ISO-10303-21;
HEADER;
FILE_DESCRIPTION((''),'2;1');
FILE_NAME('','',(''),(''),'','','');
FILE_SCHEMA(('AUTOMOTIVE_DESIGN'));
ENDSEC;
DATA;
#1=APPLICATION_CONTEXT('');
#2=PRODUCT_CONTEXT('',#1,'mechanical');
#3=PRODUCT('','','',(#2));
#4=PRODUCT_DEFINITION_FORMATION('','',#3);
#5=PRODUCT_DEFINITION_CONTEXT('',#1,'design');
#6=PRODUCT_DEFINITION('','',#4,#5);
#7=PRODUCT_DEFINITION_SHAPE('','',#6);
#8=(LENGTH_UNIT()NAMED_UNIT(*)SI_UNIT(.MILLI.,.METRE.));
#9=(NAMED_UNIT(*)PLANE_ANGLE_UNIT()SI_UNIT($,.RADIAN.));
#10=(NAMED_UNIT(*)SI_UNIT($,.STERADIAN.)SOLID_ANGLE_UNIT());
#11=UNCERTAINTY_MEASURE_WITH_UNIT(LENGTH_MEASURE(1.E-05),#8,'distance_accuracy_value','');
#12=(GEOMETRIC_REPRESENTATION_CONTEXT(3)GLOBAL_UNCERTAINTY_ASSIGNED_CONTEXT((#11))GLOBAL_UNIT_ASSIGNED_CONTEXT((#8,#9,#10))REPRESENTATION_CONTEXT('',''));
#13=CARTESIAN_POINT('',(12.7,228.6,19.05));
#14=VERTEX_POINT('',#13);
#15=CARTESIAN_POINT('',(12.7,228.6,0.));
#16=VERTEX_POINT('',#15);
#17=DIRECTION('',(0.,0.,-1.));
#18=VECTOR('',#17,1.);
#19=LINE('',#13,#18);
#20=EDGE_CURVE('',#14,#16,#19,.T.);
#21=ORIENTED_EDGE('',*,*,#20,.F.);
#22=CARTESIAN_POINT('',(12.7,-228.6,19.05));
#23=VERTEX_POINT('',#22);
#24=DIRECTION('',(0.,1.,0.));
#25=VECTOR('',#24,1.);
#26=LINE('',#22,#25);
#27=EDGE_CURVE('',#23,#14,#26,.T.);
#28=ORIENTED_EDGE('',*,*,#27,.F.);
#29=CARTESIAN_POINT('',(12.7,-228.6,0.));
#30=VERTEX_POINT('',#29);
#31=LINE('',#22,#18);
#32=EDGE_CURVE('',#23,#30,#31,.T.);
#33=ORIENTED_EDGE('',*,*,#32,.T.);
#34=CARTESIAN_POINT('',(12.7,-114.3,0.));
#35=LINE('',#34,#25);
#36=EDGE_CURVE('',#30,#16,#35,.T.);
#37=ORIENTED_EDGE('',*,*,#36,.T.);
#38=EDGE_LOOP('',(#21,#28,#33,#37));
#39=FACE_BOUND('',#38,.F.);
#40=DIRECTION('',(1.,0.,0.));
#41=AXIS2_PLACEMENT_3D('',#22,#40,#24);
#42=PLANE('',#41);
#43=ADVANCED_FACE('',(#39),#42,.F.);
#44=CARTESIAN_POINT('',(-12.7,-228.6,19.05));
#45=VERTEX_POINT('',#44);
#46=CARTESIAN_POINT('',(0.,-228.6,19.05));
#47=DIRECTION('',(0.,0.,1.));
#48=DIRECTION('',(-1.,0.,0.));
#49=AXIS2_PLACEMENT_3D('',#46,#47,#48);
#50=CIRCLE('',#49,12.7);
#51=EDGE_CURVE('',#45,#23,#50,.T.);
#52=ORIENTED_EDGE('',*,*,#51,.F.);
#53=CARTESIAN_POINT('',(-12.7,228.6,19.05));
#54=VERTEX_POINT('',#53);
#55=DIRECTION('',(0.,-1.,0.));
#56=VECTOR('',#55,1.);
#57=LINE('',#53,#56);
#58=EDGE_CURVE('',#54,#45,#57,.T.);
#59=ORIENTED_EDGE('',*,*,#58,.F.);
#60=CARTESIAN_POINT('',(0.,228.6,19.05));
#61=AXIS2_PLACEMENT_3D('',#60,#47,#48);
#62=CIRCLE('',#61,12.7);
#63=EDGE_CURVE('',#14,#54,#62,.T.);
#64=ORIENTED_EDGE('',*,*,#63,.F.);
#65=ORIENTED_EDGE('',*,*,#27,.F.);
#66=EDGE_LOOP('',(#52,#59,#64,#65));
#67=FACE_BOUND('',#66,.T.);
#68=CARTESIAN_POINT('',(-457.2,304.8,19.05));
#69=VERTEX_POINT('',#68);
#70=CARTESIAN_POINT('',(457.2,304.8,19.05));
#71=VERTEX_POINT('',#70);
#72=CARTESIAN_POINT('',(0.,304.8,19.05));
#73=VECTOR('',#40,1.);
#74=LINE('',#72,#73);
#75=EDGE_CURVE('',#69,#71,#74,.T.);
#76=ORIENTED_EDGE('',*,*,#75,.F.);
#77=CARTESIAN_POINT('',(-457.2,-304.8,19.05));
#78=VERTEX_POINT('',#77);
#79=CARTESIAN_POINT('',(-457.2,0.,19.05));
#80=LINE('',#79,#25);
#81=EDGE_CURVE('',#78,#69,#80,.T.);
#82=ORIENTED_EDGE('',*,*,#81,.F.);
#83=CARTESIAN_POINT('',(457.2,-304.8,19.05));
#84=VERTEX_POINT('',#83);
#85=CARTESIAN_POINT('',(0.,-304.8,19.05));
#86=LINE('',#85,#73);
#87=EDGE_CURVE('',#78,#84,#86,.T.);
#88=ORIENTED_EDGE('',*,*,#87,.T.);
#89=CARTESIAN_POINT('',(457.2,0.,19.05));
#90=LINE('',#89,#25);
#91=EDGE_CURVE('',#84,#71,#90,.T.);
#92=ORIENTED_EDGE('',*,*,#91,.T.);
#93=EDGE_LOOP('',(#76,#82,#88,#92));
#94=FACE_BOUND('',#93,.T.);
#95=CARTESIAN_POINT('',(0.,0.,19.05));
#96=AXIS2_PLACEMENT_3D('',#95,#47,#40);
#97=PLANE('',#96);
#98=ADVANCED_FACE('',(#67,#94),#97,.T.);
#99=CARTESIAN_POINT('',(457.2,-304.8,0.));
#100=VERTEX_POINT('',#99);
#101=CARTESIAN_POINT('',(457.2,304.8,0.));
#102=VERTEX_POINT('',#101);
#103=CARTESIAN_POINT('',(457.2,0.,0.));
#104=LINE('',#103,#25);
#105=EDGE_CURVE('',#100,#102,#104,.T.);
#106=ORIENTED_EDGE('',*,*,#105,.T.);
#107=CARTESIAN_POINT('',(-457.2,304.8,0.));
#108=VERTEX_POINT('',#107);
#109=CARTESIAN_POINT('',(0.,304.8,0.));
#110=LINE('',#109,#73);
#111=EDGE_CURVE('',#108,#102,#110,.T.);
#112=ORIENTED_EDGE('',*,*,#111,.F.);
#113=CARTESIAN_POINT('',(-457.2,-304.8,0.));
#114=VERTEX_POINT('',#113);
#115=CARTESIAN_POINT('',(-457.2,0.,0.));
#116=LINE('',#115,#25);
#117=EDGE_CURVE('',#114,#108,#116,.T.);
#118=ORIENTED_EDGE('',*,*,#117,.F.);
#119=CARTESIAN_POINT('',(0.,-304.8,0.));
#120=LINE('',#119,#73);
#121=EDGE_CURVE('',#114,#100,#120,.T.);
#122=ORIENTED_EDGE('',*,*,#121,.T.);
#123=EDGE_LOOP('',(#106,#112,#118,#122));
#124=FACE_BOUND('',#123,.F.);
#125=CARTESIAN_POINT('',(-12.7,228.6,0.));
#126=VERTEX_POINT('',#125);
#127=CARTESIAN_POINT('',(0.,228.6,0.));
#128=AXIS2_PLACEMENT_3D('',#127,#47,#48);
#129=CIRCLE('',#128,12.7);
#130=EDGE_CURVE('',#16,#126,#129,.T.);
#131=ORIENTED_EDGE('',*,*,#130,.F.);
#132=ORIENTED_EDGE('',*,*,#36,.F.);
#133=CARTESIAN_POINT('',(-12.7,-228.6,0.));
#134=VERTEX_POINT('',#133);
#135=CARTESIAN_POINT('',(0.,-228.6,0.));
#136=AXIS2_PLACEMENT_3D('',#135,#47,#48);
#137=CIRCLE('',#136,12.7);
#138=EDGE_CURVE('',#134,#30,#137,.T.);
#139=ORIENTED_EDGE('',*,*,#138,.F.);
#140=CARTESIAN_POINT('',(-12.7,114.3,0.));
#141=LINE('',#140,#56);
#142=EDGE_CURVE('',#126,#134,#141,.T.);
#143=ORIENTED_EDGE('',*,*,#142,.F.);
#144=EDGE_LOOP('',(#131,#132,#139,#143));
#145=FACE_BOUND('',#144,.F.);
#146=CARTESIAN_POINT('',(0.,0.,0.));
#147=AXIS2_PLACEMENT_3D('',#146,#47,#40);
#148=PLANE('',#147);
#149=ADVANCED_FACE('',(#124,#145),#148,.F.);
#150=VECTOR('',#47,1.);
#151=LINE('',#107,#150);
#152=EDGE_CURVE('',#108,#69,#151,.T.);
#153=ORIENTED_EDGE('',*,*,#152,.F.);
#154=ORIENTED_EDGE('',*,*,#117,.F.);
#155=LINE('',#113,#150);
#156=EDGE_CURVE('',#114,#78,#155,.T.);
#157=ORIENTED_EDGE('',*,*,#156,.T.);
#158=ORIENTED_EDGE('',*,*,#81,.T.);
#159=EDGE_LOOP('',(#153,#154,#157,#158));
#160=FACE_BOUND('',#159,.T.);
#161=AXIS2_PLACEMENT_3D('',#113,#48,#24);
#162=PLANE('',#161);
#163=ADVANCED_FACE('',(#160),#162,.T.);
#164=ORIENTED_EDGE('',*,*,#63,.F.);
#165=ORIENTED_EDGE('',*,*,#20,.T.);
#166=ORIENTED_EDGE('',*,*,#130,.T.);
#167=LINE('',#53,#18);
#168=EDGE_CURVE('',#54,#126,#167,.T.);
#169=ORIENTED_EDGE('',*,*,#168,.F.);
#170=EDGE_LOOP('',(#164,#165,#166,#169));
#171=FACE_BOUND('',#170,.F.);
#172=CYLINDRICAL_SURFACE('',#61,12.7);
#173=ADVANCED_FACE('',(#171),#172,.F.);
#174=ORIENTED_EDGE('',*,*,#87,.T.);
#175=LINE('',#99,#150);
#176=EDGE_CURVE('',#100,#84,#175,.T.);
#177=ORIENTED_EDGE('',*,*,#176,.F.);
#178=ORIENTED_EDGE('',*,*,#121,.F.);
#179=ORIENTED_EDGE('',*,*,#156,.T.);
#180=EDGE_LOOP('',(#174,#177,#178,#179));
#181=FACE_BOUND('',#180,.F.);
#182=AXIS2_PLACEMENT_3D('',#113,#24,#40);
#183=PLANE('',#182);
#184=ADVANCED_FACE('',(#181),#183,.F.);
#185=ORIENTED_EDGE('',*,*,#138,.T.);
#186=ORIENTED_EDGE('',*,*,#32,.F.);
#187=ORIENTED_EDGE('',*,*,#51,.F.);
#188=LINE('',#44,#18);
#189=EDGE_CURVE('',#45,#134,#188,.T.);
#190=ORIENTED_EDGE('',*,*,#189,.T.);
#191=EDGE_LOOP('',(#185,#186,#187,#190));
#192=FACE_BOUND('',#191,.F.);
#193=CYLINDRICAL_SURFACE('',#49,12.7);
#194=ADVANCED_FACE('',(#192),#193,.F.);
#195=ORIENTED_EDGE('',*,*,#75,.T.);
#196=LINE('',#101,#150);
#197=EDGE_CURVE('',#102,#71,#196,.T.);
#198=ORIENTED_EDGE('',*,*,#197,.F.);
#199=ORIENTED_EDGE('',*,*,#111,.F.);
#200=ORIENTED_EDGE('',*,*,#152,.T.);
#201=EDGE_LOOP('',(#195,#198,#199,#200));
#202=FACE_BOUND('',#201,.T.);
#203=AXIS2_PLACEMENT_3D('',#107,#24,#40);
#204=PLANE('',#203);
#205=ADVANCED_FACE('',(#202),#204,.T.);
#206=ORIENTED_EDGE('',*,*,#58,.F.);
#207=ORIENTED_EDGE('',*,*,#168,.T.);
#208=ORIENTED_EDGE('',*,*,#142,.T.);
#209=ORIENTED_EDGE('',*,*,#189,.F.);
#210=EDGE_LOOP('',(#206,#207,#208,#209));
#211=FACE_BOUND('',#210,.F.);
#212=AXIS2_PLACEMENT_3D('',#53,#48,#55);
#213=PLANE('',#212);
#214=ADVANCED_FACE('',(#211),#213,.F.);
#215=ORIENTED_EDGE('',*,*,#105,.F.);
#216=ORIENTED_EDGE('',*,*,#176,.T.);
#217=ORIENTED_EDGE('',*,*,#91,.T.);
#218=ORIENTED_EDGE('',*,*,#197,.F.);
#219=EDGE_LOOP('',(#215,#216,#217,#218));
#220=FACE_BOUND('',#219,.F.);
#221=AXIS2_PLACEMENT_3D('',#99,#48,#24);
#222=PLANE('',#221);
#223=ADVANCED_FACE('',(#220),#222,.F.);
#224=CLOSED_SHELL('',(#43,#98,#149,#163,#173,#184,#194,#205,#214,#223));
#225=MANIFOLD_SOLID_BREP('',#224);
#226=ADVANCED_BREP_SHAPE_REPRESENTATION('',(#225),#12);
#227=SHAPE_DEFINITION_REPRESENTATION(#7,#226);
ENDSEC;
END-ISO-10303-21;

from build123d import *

# Parameters (mm, degrees)
F0_W     = 914.4
F0_H     = 609.6
F1_DEPTH = 19.05
F3_DEPTH = 25.4


with BuildPart() as f1:
    # F0 (on Top) → F1 (new body)
    with BuildSketch(Plane.XY):
        Rectangle(F0_W, F0_H)
    extrude(amount=F1_DEPTH)

    # F2 (on face) → F3 (cut)
    with BuildSketch(Plane.XY.offset(19.05)):
        with BuildLine():
            Line((0, 228.6), (12.7, 228.6))
            ThreePointArc((12.7, 228.6), (0, 241.3), (-12.7, 228.6))
            Line((-12.7, 228.6), (0, 228.6))
        make_face()
        with BuildLine():
            ThreePointArc((-12.7, 228.6), (0, 215.9), (12.7, 228.6))
            Line((12.7, 228.6), (0, 228.6))
            Line((0, 228.6), (-12.7, 228.6))
        make_face()
        with BuildLine():
            ThreePointArc((-12.7, -228.6), (0, -215.9), (12.7, -228.6))
            Line((12.7, -228.6), (12.7, 228.6))
            ThreePointArc((12.7, 228.6), (0, 215.9), (-12.7, 228.6))
            Line((-12.7, 228.6), (-12.7, -228.6))
        make_face()
        with BuildLine():
            Line((0, -228.6), (12.7, -228.6))
            ThreePointArc((12.7, -228.6), (0, -215.9), (-12.7, -228.6))
            Line((-12.7, -228.6), (0, -228.6))
        make_face()
        with BuildLine():
            ThreePointArc((-12.7, -228.6), (0, -241.3), (12.7, -228.6))
            Line((12.7, -228.6), (0, -228.6))
            Line((0, -228.6), (-12.7, -228.6))
        make_face()
    extrude(amount=-F3_DEPTH, mode=Mode.SUBTRACT)


solid = f1.part
